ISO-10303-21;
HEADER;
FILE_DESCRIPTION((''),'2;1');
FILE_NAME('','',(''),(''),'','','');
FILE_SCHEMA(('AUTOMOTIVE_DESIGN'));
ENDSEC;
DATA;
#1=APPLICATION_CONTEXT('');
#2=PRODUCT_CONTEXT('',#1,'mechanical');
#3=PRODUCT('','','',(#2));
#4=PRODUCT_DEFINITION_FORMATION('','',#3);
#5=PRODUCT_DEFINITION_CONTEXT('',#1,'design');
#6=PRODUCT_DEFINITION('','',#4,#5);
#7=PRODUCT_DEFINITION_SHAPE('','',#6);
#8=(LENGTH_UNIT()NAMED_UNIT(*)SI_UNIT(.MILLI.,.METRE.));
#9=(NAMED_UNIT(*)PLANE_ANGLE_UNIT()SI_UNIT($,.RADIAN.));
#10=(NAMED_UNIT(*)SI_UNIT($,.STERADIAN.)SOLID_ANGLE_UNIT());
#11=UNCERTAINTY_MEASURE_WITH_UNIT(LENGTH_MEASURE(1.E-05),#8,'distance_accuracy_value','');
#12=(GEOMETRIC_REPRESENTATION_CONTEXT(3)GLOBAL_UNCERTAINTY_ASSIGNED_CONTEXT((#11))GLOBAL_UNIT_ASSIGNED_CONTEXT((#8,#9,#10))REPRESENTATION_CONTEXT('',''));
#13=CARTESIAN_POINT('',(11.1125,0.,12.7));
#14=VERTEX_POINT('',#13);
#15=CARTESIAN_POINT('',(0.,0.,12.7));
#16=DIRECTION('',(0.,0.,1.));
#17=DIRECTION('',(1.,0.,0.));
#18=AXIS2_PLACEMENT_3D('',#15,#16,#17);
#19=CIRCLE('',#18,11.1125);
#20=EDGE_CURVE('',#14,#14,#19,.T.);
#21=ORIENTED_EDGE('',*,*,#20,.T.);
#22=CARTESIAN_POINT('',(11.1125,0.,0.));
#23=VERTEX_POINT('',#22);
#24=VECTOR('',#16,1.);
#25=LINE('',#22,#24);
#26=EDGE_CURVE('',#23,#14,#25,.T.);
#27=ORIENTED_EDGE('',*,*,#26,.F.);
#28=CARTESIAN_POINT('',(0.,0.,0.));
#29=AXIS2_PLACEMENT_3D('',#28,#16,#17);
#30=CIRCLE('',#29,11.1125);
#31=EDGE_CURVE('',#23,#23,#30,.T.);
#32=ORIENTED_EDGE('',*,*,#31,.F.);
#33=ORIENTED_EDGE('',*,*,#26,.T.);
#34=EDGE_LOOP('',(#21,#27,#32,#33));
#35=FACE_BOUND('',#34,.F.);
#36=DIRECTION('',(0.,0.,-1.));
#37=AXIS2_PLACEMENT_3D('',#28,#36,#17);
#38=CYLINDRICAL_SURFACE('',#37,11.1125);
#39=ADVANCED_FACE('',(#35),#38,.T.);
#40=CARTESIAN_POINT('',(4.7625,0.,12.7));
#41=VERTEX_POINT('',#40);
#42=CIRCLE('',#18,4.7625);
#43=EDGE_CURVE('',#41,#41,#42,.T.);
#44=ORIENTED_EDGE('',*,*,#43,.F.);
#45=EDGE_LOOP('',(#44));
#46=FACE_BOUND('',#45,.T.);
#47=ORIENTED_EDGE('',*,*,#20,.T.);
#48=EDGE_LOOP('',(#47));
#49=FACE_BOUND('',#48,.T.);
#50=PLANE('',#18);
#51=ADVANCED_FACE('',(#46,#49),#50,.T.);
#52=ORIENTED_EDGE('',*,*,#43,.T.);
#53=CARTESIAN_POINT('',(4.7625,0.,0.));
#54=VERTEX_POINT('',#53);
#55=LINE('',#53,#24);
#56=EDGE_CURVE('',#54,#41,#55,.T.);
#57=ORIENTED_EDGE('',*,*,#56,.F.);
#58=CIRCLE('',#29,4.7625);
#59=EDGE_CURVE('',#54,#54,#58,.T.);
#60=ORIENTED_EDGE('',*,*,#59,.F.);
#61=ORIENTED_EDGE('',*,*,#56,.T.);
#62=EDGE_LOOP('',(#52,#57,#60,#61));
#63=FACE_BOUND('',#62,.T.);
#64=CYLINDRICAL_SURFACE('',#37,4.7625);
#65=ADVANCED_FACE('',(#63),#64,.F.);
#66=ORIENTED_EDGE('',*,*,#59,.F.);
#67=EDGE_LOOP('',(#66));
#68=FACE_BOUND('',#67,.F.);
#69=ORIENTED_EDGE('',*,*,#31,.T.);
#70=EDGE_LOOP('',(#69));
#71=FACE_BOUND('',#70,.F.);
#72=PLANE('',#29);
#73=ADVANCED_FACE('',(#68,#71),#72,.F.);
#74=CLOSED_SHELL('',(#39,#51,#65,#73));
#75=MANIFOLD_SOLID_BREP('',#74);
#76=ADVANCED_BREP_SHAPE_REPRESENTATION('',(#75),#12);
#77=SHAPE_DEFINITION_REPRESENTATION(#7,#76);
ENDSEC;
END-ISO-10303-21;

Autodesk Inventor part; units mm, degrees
ref_plane "YZ Plane" through (0, 0, 0) normal (1, 0, 0) x (0, 1, 0)
ref_plane "XZ Plane" through (0, 0, 0) normal (0, 1, 0) x (-1, 0, 0)
ref_plane "XY Plane" through (0, 0, 0) normal (0, 0, 1) x (1, 0, 0)
sketch "Sketch1" plane through (0, 0, 0) normal (0, 0, 1) x (1, 0, 0)
  circle A0 centre (0, 0) radius 4.7625
  circle A1 centre (0, 0) radius 11.1125
  dimension "d0" = 9.525
  dimension "d1" = 22.225
extrude "Extrusion1" add sketch "Sketch1" along normal blind 12.7
properties part number "Ball Bearing"
